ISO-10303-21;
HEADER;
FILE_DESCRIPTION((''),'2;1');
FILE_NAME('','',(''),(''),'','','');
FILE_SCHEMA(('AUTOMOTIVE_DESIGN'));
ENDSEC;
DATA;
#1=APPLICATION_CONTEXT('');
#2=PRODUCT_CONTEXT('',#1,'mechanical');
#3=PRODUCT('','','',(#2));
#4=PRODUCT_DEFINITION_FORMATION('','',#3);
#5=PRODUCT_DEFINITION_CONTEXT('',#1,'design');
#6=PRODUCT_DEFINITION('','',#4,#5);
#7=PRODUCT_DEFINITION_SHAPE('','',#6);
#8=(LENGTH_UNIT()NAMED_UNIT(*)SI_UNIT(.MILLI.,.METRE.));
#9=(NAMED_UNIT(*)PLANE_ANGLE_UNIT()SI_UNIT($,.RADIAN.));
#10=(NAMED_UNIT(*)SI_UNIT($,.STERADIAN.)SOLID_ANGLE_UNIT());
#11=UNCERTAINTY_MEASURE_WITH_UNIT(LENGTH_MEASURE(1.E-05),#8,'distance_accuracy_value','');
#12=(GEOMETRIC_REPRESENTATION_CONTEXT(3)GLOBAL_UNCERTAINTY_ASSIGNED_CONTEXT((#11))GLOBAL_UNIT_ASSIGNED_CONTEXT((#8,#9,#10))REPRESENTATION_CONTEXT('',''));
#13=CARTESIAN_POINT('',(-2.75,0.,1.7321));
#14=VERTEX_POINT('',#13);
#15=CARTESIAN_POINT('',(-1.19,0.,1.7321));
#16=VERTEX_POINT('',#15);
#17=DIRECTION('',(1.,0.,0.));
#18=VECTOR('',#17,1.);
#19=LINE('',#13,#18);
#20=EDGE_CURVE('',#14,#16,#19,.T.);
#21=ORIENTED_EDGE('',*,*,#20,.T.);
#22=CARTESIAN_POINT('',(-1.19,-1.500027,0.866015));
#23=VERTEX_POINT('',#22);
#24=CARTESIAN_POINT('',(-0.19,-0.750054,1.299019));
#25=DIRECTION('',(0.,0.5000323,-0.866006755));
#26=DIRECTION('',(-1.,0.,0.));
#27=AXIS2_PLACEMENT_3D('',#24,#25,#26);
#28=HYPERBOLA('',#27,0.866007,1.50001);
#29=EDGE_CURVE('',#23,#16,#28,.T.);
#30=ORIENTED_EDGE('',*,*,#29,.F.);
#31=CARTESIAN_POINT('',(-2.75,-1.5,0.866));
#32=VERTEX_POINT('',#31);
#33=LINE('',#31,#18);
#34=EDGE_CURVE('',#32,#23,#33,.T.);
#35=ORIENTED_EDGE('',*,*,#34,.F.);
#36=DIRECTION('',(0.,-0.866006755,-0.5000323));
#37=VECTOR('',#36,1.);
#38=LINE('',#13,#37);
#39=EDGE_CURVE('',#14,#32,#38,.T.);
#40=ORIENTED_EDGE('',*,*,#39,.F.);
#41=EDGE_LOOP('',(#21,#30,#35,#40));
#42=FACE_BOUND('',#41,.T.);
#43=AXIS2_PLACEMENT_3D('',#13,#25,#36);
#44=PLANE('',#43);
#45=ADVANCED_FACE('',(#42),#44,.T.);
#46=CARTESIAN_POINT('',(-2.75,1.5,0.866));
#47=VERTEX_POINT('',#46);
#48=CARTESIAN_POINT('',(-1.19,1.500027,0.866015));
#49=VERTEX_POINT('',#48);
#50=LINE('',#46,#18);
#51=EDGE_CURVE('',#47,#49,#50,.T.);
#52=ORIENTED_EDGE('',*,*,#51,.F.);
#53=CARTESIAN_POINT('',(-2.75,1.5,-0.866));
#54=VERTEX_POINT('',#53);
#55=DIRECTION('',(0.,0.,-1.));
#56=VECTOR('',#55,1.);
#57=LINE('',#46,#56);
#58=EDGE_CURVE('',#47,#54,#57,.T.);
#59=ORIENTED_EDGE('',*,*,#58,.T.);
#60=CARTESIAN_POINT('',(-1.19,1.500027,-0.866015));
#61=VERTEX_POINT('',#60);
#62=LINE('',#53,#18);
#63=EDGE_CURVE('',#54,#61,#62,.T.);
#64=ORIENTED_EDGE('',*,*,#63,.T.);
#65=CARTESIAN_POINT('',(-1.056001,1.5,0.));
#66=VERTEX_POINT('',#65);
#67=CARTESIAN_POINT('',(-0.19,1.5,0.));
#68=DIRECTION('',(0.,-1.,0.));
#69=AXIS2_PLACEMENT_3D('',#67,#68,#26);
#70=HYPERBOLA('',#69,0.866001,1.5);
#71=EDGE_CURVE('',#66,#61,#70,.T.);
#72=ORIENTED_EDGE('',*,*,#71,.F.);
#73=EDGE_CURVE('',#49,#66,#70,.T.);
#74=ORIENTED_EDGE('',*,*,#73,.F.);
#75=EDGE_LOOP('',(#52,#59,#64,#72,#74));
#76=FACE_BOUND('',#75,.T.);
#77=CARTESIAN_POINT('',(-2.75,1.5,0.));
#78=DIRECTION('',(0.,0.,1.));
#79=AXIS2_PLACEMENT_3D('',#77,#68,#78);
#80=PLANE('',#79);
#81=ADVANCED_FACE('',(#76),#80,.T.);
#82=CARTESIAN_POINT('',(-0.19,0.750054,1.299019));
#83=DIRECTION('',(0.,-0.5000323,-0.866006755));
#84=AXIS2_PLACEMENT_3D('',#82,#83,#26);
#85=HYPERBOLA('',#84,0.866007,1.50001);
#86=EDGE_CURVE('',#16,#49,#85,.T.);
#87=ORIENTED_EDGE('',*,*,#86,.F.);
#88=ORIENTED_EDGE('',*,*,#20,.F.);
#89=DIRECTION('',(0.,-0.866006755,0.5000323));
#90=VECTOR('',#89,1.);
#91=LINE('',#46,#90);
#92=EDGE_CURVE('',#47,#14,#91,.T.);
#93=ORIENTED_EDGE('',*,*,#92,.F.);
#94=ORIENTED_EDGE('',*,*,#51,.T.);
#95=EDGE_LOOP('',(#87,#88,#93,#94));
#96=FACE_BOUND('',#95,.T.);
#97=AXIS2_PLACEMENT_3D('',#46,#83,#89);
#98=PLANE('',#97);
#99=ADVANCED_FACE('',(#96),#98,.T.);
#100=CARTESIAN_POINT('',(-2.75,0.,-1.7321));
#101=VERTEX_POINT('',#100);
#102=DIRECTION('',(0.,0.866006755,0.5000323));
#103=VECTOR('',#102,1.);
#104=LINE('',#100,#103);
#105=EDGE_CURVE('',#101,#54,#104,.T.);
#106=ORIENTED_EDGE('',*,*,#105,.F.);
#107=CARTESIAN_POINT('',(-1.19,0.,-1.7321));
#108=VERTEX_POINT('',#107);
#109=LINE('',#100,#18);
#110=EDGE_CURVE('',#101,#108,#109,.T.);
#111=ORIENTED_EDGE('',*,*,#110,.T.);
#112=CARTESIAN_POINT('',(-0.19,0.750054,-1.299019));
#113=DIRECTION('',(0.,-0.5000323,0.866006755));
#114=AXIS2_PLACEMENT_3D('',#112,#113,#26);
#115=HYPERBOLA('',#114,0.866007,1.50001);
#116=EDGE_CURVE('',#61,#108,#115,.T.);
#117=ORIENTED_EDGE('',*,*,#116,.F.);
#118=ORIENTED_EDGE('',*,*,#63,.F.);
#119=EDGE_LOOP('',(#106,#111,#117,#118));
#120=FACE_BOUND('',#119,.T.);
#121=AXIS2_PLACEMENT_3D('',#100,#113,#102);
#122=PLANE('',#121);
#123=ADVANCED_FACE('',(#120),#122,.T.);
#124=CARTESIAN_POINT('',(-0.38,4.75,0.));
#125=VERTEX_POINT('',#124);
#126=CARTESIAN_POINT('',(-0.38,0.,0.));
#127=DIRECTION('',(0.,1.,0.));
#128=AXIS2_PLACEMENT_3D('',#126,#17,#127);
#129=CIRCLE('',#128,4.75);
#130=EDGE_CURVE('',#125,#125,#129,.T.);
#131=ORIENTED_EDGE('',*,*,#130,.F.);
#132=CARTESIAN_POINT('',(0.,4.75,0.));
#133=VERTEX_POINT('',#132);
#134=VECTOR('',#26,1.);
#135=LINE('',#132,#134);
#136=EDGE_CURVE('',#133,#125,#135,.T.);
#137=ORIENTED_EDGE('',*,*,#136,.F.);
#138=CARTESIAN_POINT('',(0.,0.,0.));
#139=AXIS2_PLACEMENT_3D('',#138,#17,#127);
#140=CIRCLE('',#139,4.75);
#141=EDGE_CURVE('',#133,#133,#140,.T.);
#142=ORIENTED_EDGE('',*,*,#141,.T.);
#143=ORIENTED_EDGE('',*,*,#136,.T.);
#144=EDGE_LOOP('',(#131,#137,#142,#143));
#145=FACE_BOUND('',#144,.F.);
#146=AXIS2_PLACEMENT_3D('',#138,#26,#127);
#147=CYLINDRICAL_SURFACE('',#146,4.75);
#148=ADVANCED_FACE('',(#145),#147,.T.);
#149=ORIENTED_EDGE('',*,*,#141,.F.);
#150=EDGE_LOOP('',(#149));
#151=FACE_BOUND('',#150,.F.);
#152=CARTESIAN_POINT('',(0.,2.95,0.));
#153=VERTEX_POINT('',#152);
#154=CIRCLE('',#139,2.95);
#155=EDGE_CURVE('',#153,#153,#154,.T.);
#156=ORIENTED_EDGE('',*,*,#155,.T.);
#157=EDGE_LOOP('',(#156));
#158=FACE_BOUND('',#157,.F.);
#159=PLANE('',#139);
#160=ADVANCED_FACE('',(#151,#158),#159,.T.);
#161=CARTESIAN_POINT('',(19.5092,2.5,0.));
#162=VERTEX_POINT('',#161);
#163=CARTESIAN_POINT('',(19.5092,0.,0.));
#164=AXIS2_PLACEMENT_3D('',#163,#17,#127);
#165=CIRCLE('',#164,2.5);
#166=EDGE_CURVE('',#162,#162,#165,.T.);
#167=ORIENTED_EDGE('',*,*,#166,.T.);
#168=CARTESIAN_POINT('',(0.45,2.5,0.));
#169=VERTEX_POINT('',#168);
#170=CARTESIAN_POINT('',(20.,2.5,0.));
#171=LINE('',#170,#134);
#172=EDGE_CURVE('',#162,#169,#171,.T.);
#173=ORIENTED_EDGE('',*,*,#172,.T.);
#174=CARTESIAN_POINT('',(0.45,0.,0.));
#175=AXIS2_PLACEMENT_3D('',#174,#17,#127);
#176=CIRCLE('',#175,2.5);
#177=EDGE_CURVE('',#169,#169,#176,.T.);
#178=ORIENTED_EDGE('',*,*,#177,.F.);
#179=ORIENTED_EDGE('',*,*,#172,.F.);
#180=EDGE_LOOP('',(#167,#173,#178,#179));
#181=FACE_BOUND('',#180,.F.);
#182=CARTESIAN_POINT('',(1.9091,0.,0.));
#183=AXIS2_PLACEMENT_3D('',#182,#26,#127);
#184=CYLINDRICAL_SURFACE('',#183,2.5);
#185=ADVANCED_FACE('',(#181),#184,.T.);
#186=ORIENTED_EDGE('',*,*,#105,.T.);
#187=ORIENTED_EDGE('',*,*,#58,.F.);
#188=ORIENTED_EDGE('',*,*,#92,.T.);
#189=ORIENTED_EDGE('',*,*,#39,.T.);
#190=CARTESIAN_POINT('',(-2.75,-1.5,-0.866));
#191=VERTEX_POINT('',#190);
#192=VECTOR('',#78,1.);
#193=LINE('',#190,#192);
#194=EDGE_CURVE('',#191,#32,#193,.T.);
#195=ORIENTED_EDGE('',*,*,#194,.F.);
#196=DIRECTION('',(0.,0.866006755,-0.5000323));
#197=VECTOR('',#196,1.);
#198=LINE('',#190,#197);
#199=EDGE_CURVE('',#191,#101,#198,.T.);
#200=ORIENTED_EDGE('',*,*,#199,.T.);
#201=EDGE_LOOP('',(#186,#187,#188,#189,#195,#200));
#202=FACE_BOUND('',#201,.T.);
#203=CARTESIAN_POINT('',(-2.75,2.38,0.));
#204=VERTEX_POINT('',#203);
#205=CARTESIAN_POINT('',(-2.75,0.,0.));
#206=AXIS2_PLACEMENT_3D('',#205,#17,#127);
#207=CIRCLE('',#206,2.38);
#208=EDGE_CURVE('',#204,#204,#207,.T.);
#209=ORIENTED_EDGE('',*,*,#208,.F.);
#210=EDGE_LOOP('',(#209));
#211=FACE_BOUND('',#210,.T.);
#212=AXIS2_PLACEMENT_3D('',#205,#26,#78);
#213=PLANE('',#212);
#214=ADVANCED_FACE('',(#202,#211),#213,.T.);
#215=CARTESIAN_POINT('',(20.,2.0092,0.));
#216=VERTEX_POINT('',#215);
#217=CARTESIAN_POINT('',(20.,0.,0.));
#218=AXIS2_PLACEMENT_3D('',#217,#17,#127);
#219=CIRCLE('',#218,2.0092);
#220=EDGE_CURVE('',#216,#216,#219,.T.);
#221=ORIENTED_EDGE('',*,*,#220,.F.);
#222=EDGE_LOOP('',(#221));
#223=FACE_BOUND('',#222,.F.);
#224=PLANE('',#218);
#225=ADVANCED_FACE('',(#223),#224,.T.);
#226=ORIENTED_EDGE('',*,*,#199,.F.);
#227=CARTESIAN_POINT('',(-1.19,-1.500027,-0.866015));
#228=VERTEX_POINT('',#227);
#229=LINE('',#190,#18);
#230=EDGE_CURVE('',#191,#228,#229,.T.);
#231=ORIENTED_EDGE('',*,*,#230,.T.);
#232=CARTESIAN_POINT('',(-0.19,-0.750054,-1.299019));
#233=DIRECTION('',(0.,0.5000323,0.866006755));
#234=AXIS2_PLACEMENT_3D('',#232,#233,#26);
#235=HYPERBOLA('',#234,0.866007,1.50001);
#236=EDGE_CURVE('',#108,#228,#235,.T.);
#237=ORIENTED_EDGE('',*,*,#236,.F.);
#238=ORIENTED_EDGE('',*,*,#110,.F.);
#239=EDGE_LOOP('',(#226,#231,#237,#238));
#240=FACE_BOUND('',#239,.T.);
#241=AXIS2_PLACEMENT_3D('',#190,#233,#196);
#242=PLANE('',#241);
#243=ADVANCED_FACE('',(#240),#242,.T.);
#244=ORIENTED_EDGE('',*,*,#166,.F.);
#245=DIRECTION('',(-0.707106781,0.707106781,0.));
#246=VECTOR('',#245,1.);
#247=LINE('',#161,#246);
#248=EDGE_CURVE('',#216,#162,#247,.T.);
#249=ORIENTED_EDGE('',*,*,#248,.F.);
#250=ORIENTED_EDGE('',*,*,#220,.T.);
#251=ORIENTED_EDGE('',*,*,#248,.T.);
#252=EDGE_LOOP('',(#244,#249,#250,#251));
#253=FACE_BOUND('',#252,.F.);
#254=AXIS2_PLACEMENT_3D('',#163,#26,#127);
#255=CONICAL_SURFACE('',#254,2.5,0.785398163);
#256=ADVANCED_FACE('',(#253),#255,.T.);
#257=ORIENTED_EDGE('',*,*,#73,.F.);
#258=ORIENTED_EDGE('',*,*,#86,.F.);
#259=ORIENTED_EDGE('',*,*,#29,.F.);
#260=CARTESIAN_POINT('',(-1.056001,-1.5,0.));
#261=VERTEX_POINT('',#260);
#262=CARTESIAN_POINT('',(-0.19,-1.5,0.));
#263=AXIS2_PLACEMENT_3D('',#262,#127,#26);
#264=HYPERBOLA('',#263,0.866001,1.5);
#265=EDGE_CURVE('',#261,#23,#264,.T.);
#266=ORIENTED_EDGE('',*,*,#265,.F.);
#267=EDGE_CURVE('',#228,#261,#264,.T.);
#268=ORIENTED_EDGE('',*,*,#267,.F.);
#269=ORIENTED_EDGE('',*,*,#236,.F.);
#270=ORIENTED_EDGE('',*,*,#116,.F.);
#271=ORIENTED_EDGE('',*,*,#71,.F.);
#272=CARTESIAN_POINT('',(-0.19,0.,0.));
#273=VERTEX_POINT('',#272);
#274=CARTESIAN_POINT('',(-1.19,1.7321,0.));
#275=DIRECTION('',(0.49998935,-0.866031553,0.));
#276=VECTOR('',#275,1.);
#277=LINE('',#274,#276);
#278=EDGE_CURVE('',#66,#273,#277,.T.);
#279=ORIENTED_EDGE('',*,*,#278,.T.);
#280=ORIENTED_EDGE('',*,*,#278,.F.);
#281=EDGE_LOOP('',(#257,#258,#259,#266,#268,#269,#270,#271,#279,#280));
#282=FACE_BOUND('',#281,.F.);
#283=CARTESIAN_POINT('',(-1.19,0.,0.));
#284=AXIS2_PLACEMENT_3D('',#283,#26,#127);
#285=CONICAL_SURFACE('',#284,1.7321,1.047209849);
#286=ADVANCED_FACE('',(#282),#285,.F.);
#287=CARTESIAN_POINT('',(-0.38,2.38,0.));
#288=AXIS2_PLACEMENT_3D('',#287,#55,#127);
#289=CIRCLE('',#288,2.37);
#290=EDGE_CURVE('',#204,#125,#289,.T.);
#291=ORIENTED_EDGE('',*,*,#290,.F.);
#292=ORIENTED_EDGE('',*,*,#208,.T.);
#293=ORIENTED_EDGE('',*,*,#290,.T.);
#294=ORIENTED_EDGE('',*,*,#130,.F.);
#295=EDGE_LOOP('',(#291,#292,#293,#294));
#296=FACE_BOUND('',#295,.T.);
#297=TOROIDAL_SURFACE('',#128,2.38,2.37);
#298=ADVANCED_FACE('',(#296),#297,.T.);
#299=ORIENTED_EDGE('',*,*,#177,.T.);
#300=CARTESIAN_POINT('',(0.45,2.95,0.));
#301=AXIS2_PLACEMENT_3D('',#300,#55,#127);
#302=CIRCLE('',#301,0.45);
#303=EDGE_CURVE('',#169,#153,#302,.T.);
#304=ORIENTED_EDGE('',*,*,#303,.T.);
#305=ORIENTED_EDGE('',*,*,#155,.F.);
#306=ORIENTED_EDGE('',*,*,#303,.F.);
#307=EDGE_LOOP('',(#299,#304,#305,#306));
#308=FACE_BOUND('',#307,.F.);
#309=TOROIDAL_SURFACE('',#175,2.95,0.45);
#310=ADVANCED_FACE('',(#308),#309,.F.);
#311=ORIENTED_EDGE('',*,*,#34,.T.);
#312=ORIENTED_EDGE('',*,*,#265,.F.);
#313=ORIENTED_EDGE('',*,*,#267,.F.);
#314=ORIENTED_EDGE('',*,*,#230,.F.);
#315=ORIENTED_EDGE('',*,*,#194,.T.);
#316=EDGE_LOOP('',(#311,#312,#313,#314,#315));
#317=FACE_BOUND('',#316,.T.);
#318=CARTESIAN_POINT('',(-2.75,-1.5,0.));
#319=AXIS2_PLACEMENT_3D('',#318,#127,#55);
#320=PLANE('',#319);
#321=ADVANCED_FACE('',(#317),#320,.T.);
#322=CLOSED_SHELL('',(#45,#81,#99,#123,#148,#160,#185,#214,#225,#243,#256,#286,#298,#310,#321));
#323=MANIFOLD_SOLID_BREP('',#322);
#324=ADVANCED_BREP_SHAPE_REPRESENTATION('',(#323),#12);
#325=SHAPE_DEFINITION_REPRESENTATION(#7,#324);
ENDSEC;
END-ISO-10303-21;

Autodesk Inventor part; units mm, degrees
ref_plane "YZ Plane" through (0, 0, 0) normal (1, 0, 0) x (0, 1, 0)
ref_plane "XZ Plane" through (0, 0, 0) normal (0, 1, 0) x (-1, 0, 0)
sketch "Sketch1" plane through (0, 0, 0) normal (0, 0, 1) x (1, 0, 0)
  line L0 (-0.19, 0) -> (20, 0)
  line L1 (20, 0) -> (20, 2.5)
  line L2 (20, 2.5) -> (2.4, 2.5)
  line L3 (2.4, 2.5) -> (1.9091, 2.5)
  line L4 (1.9091, 2.5) -> (0, 2.5)
  line L5 (0, 2.5) -> (0, 4.75)
  line L6 (0, 4.75) -> (-2.75, 4.75)
  line L7 (-2.75, 4.75) -> (-2.75, 1.7321)
  line L8 (-2.75, 1.7321) -> (-1.19, 1.7321)
  line L9 (-1.19, 1.7321) -> (-0.19, 0)
  line L10 (-7.3, 0) -> (24.55, 0) projected
  line L11 (0, -0.95) -> (0, 5.7) projected
  line L12 (2.4, 2.5) -> (0, 2.5) construction
  dimension "d1" = 17.6
  dimension "d2" = 0.4909
  dimension "d3" = 2.75
  dimension "d4" = 1.56
  dimension "d5" = 60
  dimension "d6" = 5
  dimension "d7" = 5
  dimension "d8" = 3.4641
  dimension "d9" = 9.5
  dimension "d26" = 20
revolve "Body" add sketch "Sketch1" angle 360 about axis through (-0.19, 0, 0) along (1, 0, 0)
sketch "Sketch2" plane through (-2.75, 0, 0) normal (-1, 0, 0) x (0, 0, 1)
  circle A0 centre (0, 0) radius 1.7321 projected
  line L0 (0, -6.65) -> (0, 6.65) projected
  line L1 (-6.65, 0) -> (6.65, 0) projected
  line L2 (1.7321, 0) -> (0.866, -1.5)
  line L3 (0.866, -1.5) -> (-0.866, -1.5)
  line L4 (-0.866, -1.5) -> (-1.7321, 0)
  line L5 (-1.7321, 0) -> (-0.866, 1.5)
  line L6 (-0.866, 1.5) -> (0.866, 1.5)
  line L7 (0.866, 1.5) -> (1.7321, 0)
extrude "Slot" add sketch "Sketch2" against normal up to next contours L7 A0 | A0 L2 | L6 L0 A0 | A0 L0 L3 | L0 L6 A0 | A0 L3 L0 | L4 A0 | A0 L5
fillet "Fillet1" radius 2.37 1 edges at (-2.75, -4.75, 0)
thread "Thread" size "M5x0.8" class "6g" standard "ISO Metric profile" length 17.6
chamfer "Chamfer1" distance 0.4908 distance2 0.4908 1 edges at (20, -2.5, 0) measured on face at (20, -0.7379, -0.3873)
ref_plane "Work Plane1" through (29, 0, 0) normal (0, -1, 0) x (1, 0, 0)
fillet "Fillet2" radius 0.45 1 edges at (0, -2.5, 0)
equation "\"d1\" = GEL"
equation "\"d3\" = KOH"
equation "\"d4\" = INTI"
equation "\"d6\" = GD"
equation "\"d7\" = BDM"
equation "\"d8\" = 1.1547 * SW"
equation "\"d9\" = KOD"
equation "\"d26\" = NLG"
equation "\"d30\" = R"
equation "\"d17\" = RR"
equation "\"d13\" = GEL"
equation "\"d15\" = -0.5 * SPD + 0.5 * GD"
equation "\"d16\" = GUL"
equation "\"GD\" = NND"
equation "\"NLG\" = 20"
equation "\"GEL\" = 17.6"
equation "\"KOD\" = 9.5"
equation "\"KOH\" = 2.75"
equation "\"INTI\" = 1.56"
equation "\"GAL\" = 0.61345 * PTC"
equation "\"GUL\" = 0.61345 * PTC"
equation "\"BDM\" = NND"
equation "\"SW\" = 3"
equation "\"RR\" = 2.37"
equation "\"SPD\" = NND - 1.2269 * PTC"
equation "\"R\" = 0.45"
equation "\"TOA\" = 30deg"
equation "\"GD1\" = THREADDIA - 1.2269 * PTC"
equation "\"THREADDIA\" = 5"
equation "\"PTC\" = 0.8"
equation "\"NND\" = 5"
equation "\"KOH1\" = 0.38"
equation "\"E0\" = 3.443"
properties part number "ISO 7380-1 - M5 x 20" material "Steel"
